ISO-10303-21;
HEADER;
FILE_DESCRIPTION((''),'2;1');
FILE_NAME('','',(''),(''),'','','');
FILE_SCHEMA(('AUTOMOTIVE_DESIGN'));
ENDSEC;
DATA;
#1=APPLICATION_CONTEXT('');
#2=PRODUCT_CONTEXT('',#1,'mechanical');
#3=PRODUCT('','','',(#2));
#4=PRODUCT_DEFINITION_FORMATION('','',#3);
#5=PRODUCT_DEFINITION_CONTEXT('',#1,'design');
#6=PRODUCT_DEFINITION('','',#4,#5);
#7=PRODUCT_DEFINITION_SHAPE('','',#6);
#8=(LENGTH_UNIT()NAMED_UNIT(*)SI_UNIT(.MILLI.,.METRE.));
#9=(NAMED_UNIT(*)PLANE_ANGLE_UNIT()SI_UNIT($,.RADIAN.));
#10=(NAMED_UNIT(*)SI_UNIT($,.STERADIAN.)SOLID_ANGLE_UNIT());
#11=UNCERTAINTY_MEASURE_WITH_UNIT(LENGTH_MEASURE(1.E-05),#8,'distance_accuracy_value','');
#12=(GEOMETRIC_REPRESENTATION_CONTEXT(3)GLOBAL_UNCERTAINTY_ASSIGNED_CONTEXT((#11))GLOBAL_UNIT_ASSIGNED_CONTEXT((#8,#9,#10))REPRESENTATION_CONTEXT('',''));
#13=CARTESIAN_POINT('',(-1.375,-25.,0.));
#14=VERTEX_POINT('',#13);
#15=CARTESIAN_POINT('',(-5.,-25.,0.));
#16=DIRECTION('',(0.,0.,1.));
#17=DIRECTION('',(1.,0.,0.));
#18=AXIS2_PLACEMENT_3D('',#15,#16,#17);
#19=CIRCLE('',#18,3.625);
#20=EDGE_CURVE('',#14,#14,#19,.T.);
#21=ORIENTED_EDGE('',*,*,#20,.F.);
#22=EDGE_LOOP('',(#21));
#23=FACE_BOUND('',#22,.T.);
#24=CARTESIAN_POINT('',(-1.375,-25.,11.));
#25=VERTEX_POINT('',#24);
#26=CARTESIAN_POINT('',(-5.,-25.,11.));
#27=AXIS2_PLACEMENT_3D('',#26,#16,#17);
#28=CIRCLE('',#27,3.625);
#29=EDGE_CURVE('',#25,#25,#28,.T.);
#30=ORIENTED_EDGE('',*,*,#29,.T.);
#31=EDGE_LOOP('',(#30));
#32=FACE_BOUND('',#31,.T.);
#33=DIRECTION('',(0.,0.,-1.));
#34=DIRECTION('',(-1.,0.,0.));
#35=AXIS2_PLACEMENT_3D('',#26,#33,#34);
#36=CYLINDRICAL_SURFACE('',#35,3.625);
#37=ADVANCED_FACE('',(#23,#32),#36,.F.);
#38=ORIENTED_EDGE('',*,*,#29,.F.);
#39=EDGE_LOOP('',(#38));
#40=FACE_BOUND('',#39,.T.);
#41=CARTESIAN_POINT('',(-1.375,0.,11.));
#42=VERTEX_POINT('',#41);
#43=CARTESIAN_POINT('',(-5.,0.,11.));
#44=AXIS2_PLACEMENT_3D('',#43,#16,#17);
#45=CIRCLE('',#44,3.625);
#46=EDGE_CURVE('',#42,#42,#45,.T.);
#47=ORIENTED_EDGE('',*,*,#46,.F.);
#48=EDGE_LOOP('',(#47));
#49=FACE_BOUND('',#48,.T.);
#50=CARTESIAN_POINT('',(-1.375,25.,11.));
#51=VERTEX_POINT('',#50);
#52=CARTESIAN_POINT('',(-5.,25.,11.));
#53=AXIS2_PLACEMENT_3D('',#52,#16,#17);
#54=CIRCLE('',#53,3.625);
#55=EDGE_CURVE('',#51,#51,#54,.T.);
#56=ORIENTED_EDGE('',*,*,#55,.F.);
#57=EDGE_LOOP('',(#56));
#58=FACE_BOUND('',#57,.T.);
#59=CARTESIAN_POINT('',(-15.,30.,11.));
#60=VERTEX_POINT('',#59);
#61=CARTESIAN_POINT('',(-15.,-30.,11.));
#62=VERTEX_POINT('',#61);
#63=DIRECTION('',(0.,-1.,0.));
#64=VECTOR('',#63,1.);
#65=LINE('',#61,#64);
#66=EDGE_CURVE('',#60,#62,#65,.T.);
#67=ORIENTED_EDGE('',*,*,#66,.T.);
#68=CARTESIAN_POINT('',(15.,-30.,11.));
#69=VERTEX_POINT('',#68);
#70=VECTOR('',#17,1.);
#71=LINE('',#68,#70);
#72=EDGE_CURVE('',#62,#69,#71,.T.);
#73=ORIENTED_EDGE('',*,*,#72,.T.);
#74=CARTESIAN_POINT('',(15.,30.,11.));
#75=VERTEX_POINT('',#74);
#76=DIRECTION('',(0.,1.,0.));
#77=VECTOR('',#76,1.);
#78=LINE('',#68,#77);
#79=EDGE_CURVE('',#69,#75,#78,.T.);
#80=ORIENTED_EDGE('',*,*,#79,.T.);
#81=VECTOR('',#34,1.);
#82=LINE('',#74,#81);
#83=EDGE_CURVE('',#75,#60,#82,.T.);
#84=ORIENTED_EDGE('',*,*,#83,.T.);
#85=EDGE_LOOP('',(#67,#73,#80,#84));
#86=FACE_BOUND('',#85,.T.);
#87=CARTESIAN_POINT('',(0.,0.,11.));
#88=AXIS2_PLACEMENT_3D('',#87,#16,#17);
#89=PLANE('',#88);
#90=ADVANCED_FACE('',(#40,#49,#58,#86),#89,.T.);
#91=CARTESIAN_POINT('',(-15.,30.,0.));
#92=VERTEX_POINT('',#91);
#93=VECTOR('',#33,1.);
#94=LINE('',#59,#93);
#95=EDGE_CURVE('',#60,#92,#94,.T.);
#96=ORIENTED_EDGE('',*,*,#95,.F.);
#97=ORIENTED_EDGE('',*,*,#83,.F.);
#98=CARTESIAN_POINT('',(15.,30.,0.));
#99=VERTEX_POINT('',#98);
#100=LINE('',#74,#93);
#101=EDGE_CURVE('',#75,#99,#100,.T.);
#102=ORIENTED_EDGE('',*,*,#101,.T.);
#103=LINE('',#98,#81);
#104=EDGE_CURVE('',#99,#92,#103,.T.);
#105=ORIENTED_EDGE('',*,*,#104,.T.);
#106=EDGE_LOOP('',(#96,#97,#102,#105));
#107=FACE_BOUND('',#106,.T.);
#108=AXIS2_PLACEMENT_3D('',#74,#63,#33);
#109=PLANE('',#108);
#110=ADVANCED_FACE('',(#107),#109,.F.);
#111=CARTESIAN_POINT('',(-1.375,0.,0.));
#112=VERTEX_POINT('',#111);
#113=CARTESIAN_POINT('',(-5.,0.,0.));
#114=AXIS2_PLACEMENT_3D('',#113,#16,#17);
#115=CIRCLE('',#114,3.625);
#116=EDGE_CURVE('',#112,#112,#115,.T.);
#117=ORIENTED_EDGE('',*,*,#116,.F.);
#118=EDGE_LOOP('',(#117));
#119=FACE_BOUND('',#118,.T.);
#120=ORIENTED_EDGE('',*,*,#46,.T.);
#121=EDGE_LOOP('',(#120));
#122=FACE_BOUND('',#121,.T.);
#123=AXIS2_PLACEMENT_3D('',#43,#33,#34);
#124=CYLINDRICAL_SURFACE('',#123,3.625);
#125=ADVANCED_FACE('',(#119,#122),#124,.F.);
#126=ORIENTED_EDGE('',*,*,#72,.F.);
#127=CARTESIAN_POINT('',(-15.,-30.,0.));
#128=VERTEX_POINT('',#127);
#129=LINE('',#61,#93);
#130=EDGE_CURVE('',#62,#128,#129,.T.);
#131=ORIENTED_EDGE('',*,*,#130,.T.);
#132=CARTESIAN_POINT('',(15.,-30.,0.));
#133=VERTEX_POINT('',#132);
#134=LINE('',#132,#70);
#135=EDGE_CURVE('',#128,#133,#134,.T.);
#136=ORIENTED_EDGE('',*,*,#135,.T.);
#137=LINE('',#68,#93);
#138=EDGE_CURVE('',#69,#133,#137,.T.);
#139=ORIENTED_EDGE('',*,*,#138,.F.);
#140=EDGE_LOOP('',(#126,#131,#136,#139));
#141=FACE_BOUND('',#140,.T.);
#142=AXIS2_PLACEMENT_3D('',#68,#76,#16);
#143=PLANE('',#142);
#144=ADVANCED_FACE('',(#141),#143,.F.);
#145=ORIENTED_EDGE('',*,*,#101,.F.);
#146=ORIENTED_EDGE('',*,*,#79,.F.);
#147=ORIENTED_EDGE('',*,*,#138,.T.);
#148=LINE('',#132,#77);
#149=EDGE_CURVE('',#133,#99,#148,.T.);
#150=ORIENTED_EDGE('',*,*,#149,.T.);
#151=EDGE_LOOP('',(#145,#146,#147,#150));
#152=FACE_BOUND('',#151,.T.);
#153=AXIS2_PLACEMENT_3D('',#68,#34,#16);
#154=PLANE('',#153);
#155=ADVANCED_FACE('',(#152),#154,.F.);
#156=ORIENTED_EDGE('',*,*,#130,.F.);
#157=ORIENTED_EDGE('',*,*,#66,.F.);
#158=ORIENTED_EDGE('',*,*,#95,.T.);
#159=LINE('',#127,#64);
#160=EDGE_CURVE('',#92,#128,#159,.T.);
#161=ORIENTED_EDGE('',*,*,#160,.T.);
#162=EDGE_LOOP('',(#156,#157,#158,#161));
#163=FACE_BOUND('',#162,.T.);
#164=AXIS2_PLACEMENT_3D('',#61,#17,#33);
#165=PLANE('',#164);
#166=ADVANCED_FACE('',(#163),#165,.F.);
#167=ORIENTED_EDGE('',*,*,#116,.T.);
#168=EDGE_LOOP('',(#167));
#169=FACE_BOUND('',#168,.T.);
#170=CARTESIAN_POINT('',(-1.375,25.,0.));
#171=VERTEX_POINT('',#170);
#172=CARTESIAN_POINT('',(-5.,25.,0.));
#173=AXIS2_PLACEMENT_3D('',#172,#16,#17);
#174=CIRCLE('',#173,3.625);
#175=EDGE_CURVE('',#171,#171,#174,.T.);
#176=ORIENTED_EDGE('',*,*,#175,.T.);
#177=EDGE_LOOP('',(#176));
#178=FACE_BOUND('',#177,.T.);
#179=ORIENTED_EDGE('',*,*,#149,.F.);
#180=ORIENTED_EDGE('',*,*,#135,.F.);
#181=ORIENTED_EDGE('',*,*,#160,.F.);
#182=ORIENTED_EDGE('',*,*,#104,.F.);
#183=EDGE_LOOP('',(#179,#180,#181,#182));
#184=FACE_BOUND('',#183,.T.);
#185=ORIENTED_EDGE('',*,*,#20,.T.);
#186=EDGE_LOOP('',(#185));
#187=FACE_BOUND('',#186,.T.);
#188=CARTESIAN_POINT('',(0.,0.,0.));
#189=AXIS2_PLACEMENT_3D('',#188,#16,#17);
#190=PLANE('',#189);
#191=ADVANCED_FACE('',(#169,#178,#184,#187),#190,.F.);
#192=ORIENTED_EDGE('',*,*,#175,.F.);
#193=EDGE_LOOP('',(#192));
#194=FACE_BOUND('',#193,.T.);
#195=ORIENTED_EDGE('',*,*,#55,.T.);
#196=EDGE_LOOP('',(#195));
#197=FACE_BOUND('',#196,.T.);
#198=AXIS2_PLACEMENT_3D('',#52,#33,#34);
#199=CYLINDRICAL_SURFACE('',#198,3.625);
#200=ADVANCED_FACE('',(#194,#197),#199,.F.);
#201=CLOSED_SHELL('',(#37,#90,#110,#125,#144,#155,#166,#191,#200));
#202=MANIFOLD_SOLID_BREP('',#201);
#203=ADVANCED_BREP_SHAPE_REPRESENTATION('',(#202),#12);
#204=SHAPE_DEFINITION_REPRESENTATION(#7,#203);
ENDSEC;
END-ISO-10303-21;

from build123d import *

# Parameters (mm, degrees)
SKETCH_1_W      = 30
SKETCH_1_H      = 60
SKETCH_1_R      = 3.625
EXTRUDE_1_DEPTH = 11


with BuildPart() as part:
    # 스케치1 → 보스-돌출1 (new body)
    with BuildSketch(Plane.XY):
        Rectangle(SKETCH_1_W, SKETCH_1_H)
        with Locations((-5, 25)):
            Circle(SKETCH_1_R, mode=Mode.SUBTRACT)
        with Locations((-5, 0)):
            Circle(SKETCH_1_R, mode=Mode.SUBTRACT)
        with Locations((-5, -25)):
            Circle(SKETCH_1_R, mode=Mode.SUBTRACT)
    extrude(amount=EXTRUDE_1_DEPTH)


solid = part.part
